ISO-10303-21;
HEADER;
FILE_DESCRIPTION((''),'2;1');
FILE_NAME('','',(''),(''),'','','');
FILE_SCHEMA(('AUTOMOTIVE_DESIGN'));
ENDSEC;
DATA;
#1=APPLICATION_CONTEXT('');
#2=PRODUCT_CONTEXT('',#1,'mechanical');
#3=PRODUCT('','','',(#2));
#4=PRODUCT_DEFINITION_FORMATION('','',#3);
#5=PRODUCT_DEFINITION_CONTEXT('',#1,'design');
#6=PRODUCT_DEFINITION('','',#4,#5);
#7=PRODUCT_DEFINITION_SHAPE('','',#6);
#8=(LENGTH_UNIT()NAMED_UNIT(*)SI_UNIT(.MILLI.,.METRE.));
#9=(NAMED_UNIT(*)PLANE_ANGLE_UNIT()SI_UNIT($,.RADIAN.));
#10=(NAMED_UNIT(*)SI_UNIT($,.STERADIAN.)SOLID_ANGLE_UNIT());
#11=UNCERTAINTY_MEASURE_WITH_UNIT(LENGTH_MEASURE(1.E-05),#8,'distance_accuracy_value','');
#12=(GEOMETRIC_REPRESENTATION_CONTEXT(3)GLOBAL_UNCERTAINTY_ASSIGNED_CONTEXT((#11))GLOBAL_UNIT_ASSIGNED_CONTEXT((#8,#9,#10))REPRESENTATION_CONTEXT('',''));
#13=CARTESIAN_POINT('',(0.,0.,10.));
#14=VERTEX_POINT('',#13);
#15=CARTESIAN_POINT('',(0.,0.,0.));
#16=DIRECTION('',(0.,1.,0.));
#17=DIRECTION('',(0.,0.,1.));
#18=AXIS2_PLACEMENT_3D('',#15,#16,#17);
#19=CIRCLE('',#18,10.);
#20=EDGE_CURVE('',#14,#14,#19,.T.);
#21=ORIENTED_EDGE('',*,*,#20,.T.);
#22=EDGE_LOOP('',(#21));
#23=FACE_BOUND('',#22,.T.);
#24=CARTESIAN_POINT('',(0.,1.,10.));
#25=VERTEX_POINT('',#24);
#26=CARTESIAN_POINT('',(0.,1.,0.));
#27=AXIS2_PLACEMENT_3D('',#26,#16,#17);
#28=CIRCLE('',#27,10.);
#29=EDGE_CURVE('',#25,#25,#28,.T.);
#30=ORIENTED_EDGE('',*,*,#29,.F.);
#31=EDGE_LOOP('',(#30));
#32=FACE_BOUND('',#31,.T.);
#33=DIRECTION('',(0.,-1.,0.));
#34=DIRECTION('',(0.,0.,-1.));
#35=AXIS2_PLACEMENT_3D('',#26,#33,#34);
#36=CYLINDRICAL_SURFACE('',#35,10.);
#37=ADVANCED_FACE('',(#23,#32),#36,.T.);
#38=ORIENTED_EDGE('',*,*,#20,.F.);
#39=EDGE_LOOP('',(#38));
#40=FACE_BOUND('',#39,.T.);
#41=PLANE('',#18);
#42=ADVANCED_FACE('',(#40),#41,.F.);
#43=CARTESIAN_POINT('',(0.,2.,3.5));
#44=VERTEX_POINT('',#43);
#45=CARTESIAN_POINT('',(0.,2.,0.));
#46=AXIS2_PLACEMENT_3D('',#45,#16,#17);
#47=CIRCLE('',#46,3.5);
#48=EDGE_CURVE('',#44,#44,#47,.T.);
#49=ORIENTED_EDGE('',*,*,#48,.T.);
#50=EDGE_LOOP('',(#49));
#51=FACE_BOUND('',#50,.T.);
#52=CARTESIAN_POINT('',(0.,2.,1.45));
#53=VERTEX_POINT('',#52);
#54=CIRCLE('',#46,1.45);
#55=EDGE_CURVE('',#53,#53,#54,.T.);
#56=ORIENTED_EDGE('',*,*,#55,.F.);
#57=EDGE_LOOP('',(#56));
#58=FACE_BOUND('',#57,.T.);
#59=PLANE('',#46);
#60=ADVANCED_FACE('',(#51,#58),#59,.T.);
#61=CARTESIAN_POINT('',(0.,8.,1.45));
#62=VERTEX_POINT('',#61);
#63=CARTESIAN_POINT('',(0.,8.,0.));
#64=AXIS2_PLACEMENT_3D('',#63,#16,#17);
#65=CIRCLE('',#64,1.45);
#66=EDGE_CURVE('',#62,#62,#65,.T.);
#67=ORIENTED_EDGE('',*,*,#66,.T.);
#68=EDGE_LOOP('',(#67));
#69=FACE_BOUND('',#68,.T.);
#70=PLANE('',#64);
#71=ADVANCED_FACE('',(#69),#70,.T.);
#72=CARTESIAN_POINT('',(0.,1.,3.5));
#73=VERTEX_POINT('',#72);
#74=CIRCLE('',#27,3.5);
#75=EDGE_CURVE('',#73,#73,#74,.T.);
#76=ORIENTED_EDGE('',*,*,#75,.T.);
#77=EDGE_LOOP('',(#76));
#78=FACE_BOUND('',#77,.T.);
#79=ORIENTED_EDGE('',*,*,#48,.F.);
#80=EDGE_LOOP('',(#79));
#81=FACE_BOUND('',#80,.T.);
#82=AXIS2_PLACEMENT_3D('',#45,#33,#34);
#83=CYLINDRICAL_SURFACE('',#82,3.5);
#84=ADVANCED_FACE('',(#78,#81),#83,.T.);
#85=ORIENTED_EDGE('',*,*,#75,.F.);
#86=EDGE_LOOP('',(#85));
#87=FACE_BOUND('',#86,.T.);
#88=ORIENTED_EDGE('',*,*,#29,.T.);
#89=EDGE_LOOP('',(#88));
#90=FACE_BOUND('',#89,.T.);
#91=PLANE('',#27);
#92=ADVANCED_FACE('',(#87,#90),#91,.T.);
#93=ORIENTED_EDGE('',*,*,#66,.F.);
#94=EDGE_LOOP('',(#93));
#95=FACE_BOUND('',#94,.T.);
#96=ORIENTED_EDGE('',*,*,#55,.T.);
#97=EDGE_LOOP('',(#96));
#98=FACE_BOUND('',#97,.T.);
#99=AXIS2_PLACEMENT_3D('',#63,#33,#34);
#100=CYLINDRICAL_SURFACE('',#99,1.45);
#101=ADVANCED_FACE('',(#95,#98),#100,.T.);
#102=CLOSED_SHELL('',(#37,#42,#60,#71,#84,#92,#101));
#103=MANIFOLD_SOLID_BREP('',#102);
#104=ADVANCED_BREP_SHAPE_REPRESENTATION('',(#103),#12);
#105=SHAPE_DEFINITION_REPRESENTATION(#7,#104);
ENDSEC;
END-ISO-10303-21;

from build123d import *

# Parameters (mm, degrees)
ESQUISSE1_R        = 10
BOSS_EXTRU_1_DEPTH = 1
ESQUISSE2_R        = 1.45
BOSS_EXTRU_2_DEPTH = 7
ESQUISSE3_R        = 3.5
BOSS_EXTRU_3_DEPTH = 1


with BuildPart() as part:
    # Esquisse1 → Boss.-Extru.1 (new body)
    with BuildSketch(Plane(origin=(0, 0, 0), x_dir=(1, 0, 0), z_dir=(0, 1, 0))):
        Circle(ESQUISSE1_R)
    extrude(amount=BOSS_EXTRU_1_DEPTH)

    # Esquisse2 → Boss.-Extru.2 (add)
    with BuildSketch(Plane(origin=(0, 1, 0), x_dir=(1, 0, 0), z_dir=(0, 1, 0))):
        Circle(ESQUISSE2_R)
    extrude(amount=BOSS_EXTRU_2_DEPTH)

    # Esquisse3 → Boss.-Extru.3 (add)
    with BuildSketch(Plane(origin=(0, 1, 0), x_dir=(1, 0, 0), z_dir=(0, 1, 0))):
        Circle(ESQUISSE3_R)
    extrude(amount=BOSS_EXTRU_3_DEPTH)


solid = part.part
